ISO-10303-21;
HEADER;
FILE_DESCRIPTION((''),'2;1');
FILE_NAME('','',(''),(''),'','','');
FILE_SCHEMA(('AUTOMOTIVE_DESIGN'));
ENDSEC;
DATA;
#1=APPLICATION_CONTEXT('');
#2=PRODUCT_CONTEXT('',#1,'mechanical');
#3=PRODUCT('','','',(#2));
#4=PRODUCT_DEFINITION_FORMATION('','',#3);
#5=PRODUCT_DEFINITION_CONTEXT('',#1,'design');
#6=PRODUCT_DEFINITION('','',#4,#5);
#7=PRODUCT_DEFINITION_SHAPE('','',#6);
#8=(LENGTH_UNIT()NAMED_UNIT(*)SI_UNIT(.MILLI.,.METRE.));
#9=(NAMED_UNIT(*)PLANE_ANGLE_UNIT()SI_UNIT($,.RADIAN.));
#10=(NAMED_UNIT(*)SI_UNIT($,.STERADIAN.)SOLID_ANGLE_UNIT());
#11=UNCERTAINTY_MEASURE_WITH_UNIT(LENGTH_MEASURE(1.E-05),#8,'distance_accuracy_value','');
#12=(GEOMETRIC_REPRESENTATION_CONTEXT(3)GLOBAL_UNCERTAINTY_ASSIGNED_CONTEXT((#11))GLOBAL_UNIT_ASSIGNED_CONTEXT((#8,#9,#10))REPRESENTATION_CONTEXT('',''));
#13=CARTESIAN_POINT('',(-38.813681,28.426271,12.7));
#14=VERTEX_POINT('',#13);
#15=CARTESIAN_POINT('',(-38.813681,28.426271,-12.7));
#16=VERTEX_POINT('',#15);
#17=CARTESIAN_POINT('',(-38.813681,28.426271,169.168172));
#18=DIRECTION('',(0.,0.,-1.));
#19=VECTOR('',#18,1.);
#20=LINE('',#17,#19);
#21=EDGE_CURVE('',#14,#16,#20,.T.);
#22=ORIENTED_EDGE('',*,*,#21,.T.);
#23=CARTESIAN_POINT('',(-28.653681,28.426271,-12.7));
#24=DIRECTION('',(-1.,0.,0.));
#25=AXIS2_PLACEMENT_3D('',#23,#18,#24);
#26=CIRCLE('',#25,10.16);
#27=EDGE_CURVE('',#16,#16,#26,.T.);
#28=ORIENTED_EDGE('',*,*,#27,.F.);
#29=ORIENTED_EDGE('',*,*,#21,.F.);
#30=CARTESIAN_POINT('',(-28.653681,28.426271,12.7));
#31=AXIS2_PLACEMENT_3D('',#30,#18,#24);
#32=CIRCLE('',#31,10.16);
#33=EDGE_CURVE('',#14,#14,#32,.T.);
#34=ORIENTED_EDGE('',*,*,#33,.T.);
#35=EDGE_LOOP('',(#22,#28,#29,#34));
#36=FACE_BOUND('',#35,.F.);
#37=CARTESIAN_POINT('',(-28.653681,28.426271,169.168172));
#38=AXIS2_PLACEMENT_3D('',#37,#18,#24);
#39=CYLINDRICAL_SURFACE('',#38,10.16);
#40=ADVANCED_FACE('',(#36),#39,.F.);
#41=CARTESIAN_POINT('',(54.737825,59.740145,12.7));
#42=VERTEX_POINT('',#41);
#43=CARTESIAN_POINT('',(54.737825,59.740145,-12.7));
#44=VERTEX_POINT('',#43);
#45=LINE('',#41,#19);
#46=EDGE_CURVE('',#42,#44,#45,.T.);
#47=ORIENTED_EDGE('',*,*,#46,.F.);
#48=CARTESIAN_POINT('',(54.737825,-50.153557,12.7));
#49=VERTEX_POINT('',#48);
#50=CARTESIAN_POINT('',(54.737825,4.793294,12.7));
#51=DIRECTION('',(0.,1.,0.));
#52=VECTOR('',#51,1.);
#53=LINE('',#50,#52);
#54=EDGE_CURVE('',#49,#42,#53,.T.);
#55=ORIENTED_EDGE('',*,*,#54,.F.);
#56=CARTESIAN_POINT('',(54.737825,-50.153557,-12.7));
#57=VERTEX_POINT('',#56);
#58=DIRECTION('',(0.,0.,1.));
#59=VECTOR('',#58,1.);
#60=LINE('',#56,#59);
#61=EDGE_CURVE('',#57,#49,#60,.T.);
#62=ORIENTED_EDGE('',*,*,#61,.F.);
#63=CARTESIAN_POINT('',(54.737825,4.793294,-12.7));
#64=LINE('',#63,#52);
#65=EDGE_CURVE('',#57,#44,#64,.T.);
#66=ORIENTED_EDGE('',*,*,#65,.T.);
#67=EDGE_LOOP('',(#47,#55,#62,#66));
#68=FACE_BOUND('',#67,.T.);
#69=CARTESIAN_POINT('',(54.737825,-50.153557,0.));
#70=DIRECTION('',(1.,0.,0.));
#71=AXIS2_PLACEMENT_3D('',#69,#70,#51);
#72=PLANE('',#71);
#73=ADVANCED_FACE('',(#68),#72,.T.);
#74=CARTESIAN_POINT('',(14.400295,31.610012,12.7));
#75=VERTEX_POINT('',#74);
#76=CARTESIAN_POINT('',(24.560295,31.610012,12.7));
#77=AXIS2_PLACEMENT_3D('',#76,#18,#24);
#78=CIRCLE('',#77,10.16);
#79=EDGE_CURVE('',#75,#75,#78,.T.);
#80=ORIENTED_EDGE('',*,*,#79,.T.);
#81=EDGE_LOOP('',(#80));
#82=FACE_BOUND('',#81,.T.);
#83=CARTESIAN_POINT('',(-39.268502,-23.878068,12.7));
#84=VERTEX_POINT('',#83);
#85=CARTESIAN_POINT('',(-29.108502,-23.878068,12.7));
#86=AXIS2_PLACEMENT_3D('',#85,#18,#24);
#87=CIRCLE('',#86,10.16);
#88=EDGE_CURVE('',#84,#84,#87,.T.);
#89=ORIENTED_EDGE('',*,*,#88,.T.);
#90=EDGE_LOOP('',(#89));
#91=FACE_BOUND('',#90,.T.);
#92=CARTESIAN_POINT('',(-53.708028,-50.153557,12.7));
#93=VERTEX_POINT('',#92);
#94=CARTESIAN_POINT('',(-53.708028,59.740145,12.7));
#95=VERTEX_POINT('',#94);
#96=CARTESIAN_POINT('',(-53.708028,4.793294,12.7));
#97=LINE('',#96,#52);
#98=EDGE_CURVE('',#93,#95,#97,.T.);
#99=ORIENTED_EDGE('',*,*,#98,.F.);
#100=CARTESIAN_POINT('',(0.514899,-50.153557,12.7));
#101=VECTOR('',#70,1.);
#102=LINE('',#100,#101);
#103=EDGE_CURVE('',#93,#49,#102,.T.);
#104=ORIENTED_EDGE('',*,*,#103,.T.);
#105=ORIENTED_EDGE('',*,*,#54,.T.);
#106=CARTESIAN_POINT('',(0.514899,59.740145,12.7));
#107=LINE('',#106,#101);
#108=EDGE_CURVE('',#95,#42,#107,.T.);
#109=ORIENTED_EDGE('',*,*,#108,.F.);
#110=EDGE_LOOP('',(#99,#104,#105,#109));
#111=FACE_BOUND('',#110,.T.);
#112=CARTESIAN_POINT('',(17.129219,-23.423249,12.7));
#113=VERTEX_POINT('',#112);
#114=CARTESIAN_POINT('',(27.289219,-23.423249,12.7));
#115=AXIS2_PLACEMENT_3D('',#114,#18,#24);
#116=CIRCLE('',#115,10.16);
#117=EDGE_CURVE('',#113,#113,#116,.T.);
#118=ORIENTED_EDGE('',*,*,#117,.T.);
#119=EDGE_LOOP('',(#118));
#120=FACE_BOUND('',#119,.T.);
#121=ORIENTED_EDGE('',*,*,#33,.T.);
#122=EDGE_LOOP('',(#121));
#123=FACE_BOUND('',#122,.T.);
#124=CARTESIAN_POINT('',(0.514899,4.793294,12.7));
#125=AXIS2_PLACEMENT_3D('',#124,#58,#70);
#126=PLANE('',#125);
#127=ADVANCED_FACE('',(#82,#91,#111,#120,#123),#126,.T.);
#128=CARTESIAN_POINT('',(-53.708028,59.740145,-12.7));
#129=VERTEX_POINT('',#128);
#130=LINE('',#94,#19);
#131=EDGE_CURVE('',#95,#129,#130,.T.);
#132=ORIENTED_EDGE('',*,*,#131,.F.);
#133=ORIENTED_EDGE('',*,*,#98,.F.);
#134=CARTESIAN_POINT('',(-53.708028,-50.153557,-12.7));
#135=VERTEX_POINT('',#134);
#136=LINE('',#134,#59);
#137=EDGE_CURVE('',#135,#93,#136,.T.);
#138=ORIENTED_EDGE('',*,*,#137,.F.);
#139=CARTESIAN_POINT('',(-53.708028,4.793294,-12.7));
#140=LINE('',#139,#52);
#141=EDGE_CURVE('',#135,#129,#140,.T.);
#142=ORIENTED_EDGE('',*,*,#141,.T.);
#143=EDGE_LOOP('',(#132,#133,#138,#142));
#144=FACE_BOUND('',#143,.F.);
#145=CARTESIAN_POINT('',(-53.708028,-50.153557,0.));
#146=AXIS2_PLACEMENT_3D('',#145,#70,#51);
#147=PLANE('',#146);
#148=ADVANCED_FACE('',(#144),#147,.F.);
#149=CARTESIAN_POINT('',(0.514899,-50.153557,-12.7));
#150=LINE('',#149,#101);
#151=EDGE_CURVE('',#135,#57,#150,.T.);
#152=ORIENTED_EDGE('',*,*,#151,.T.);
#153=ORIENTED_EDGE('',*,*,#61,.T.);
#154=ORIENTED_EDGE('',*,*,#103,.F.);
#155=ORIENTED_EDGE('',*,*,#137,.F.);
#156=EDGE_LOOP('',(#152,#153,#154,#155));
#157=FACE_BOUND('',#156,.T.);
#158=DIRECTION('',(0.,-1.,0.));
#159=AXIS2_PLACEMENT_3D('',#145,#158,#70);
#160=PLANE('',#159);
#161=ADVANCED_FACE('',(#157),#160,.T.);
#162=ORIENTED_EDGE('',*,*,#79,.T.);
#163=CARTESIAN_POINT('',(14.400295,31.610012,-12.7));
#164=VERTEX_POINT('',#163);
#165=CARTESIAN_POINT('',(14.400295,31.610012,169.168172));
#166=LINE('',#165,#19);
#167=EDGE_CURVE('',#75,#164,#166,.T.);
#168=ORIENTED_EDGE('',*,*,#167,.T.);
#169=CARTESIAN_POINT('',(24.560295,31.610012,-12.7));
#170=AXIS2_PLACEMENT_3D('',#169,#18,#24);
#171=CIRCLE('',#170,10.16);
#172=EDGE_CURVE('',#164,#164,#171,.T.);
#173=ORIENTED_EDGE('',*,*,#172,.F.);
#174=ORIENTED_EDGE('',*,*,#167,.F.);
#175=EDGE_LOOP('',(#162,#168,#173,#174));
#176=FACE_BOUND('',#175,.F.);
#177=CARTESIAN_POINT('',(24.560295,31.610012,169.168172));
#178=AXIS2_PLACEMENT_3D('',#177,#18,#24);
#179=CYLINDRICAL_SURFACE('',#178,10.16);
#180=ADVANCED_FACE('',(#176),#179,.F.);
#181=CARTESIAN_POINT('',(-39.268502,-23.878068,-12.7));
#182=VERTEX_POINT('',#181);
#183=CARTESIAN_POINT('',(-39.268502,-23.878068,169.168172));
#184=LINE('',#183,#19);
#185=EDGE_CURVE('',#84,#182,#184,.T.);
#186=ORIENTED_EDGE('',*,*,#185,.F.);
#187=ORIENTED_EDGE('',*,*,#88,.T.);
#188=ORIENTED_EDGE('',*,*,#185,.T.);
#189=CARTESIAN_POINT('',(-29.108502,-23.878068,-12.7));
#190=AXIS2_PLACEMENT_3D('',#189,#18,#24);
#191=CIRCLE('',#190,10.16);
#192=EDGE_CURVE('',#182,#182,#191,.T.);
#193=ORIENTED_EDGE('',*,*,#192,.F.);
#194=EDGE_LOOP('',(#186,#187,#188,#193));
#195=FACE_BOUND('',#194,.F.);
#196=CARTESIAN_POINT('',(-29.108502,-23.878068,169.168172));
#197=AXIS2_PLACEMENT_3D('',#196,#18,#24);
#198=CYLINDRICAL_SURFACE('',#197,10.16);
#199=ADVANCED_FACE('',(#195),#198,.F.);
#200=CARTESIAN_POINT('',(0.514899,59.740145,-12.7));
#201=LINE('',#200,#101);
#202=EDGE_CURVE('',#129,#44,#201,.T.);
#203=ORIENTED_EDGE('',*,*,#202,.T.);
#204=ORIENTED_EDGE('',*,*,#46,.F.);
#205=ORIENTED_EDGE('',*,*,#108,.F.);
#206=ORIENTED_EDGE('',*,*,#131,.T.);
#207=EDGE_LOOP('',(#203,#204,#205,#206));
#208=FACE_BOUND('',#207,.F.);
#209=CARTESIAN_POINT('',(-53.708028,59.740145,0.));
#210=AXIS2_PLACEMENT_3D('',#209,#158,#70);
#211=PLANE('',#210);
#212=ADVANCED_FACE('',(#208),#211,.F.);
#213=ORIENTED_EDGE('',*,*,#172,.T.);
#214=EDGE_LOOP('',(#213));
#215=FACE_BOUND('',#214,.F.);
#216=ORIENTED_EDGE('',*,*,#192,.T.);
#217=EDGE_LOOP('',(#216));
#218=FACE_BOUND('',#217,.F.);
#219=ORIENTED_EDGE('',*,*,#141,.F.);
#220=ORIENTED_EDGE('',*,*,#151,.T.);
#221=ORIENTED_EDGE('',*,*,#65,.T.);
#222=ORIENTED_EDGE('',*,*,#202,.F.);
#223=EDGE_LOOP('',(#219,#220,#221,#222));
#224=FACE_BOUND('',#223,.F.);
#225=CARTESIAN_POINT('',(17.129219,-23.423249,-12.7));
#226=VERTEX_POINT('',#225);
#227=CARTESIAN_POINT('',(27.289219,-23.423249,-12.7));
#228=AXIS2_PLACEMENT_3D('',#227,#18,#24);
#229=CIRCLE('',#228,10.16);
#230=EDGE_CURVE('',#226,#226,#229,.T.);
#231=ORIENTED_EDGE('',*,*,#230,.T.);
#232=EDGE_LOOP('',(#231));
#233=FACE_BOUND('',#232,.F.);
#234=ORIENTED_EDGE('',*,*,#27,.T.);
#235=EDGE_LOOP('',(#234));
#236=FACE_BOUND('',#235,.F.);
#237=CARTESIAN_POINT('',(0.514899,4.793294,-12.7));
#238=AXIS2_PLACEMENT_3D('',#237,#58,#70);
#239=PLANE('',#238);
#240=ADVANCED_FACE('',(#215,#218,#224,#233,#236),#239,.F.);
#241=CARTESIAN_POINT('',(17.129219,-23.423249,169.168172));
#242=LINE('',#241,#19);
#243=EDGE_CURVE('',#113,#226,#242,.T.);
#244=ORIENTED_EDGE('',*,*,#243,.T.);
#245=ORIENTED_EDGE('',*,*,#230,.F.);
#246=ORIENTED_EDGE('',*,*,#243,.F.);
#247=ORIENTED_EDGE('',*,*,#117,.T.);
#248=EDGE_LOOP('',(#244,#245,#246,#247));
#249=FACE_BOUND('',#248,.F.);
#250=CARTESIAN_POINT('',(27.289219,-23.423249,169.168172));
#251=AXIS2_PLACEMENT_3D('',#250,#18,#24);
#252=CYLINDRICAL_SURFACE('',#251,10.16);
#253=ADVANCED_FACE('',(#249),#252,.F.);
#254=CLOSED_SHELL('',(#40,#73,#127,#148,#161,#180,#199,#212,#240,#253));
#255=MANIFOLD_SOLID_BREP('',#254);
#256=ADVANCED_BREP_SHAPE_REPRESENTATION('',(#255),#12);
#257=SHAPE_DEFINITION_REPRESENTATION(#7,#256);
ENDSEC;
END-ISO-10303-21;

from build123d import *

# Parameters (mm, degrees)
F0_W     = 108.445853
F0_H     = 109.893702
F1_DEPTH = 12.7
F3_D     = 20.32


with BuildPart() as f1:
    # F0 (on Top) → F1 (new body, symmetric)
    with BuildSketch(Plane.XY):
        with Locations((0.514899, 4.793294)):
            Rectangle(F0_W, F0_H)
    extrude(amount=F1_DEPTH, both=True)

    # F3 (through all)
    with Locations(Plane.XY.offset(12.7)):
        with Locations((-28.653681, 28.426271), (-29.108502, -23.878068), (27.289219, -23.423249), (24.560295, 31.610012)):
            Hole(F3_D / 2)


solid = f1.part
